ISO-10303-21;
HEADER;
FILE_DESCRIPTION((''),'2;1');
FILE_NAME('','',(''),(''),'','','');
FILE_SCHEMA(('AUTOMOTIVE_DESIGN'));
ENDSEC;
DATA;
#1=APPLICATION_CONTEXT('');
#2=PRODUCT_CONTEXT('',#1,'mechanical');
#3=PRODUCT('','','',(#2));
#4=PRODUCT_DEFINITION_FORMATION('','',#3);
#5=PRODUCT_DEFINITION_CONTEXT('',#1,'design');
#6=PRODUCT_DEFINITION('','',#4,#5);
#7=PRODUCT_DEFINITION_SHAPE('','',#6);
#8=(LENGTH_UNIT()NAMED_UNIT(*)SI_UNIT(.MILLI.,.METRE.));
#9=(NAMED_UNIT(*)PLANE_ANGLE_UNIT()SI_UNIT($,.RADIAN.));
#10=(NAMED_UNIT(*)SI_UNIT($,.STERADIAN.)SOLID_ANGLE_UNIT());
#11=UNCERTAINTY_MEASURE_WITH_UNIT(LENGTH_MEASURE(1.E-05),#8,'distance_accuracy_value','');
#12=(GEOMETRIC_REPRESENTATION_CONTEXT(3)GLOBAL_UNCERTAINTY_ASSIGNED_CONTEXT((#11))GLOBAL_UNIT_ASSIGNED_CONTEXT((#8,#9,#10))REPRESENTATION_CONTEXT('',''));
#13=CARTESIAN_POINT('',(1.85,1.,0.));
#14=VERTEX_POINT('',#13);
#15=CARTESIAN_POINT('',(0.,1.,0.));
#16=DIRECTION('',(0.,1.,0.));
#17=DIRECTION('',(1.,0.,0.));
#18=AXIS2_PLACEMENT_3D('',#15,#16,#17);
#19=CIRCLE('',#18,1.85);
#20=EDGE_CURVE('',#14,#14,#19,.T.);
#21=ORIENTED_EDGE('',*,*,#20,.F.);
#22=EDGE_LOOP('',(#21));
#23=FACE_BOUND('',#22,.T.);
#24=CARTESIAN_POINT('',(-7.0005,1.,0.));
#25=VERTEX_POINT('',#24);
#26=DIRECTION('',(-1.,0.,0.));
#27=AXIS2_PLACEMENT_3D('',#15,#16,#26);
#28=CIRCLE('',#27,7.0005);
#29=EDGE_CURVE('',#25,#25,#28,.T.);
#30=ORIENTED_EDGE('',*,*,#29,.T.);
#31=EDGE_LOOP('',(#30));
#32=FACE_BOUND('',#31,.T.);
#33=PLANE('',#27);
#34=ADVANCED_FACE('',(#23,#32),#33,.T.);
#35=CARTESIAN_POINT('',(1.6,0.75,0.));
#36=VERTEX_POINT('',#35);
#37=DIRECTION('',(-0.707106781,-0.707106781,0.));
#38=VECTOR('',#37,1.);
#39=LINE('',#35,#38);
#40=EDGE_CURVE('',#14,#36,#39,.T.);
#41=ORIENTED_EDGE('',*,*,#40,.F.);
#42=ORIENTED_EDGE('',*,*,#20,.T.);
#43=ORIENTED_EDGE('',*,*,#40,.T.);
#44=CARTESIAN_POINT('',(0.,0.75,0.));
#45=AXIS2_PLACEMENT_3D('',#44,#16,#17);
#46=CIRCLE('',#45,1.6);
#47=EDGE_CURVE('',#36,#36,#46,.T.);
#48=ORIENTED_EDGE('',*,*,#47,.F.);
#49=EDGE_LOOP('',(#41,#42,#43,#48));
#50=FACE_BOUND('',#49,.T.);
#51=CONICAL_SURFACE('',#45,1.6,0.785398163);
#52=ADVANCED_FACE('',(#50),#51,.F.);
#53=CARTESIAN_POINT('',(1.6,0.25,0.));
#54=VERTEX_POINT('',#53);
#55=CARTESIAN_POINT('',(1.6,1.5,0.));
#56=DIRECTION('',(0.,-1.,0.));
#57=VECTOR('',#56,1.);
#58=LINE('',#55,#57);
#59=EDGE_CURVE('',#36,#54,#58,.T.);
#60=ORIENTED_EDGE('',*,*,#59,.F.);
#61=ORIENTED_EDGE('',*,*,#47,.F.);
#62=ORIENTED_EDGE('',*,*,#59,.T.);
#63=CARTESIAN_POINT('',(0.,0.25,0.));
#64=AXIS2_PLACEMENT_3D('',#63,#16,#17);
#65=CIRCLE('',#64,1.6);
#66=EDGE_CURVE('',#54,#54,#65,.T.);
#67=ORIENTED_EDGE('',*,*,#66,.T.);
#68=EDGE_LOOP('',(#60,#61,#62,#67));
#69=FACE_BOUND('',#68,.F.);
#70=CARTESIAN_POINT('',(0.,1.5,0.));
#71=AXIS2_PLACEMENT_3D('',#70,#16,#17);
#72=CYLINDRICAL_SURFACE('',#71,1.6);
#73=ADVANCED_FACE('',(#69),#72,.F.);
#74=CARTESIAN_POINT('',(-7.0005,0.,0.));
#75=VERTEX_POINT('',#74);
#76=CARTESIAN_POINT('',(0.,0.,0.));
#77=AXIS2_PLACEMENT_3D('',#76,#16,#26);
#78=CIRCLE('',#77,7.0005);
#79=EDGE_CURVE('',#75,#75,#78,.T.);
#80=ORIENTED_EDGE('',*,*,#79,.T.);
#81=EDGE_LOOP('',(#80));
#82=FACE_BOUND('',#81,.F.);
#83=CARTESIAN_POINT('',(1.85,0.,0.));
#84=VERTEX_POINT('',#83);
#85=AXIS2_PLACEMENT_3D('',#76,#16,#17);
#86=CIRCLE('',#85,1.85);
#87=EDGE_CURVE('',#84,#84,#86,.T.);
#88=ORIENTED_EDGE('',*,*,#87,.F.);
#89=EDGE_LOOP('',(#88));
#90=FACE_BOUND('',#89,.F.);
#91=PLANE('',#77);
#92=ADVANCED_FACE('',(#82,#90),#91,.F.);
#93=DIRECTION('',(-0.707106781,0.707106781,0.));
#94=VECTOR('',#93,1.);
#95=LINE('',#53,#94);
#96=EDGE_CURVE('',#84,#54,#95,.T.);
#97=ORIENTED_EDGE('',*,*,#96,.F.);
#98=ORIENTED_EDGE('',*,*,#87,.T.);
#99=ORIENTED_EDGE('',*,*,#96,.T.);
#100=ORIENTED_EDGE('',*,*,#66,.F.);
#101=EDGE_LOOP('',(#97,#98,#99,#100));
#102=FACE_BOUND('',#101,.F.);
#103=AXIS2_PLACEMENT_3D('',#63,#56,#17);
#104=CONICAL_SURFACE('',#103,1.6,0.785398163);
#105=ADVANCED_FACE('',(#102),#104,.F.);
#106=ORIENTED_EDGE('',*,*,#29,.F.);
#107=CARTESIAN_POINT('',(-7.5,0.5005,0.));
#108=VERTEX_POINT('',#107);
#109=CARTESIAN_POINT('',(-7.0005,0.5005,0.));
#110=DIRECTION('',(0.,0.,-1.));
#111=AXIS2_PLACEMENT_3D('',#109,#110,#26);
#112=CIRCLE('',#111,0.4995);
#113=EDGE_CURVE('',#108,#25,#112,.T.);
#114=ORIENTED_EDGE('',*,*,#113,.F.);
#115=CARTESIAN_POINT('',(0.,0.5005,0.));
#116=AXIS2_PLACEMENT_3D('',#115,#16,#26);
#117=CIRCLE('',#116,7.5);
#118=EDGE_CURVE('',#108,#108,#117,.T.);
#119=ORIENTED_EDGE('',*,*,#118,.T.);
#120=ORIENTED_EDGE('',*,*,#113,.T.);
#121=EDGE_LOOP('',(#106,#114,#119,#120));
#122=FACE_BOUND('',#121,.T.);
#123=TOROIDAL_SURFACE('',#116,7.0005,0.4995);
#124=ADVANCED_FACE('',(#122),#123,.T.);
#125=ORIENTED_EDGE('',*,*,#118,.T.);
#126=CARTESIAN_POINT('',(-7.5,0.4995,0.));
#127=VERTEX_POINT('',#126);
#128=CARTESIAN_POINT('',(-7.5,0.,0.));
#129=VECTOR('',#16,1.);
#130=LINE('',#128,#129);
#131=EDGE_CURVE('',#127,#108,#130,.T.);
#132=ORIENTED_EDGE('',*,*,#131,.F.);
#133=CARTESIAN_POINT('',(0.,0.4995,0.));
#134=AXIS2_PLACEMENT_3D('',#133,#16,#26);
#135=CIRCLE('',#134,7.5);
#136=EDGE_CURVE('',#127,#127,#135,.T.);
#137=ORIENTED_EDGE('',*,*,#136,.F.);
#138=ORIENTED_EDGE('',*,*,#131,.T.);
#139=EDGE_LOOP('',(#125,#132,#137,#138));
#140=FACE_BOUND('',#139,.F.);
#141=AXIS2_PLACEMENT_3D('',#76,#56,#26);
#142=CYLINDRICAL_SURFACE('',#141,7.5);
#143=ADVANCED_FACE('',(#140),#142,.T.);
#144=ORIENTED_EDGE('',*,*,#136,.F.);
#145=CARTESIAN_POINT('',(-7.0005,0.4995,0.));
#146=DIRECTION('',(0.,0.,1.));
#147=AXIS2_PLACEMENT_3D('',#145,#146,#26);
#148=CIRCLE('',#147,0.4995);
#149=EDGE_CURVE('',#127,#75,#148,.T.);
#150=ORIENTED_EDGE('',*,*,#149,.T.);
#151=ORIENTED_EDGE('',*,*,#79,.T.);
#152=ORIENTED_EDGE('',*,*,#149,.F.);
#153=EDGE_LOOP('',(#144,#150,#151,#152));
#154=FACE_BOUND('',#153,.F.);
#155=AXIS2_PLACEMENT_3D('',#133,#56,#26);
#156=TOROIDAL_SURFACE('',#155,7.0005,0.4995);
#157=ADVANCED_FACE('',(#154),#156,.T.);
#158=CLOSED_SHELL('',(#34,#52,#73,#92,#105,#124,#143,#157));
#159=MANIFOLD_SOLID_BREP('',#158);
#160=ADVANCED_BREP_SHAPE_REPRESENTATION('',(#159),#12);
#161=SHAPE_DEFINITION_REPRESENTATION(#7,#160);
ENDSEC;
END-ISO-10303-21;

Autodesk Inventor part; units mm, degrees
ref_plane "YZ Plane" through (0, 0, 0) normal (1, 0, 0) x (0, 1, 0)
ref_plane "XZ Plane" through (0, 0, 0) normal (0, 1, 0) x (-1, 0, 0)
sketch "Sketch1" plane through (0, 0, 0) normal (0, 1, 0) x (-1, 0, 0)
  circle A0 centre (0, 0) radius 7.5
  dimension "d0" = 15
extrude "Extrusion1" add sketch "Sketch1" along normal blind 1
ref_plane "Work Plane1" through (0, 1.5, 0) normal (0, 1, 0) x (1, 0, 0)
sketch "Sketch3" plane through (0, 1.5, 0) normal (0, 1, 0) x (1, 0, 0)
  circle A0 centre (0, 0) radius 1.6
  dimension "d7" = 3.2
extrude "Extrusion3" cut sketch "Sketch3" against normal up to surface (1.5 mm away)
fillet "Fillet2" radius 0.5 2 edges at (7.5, 0, 0) (7.5, 1, 0)
chamfer "Chamfer2" distance 0.25 angle 45 2 edges at (-1.6, 0, 0) (-1.6, 1, 0)
properties part number "BoxWasher"
